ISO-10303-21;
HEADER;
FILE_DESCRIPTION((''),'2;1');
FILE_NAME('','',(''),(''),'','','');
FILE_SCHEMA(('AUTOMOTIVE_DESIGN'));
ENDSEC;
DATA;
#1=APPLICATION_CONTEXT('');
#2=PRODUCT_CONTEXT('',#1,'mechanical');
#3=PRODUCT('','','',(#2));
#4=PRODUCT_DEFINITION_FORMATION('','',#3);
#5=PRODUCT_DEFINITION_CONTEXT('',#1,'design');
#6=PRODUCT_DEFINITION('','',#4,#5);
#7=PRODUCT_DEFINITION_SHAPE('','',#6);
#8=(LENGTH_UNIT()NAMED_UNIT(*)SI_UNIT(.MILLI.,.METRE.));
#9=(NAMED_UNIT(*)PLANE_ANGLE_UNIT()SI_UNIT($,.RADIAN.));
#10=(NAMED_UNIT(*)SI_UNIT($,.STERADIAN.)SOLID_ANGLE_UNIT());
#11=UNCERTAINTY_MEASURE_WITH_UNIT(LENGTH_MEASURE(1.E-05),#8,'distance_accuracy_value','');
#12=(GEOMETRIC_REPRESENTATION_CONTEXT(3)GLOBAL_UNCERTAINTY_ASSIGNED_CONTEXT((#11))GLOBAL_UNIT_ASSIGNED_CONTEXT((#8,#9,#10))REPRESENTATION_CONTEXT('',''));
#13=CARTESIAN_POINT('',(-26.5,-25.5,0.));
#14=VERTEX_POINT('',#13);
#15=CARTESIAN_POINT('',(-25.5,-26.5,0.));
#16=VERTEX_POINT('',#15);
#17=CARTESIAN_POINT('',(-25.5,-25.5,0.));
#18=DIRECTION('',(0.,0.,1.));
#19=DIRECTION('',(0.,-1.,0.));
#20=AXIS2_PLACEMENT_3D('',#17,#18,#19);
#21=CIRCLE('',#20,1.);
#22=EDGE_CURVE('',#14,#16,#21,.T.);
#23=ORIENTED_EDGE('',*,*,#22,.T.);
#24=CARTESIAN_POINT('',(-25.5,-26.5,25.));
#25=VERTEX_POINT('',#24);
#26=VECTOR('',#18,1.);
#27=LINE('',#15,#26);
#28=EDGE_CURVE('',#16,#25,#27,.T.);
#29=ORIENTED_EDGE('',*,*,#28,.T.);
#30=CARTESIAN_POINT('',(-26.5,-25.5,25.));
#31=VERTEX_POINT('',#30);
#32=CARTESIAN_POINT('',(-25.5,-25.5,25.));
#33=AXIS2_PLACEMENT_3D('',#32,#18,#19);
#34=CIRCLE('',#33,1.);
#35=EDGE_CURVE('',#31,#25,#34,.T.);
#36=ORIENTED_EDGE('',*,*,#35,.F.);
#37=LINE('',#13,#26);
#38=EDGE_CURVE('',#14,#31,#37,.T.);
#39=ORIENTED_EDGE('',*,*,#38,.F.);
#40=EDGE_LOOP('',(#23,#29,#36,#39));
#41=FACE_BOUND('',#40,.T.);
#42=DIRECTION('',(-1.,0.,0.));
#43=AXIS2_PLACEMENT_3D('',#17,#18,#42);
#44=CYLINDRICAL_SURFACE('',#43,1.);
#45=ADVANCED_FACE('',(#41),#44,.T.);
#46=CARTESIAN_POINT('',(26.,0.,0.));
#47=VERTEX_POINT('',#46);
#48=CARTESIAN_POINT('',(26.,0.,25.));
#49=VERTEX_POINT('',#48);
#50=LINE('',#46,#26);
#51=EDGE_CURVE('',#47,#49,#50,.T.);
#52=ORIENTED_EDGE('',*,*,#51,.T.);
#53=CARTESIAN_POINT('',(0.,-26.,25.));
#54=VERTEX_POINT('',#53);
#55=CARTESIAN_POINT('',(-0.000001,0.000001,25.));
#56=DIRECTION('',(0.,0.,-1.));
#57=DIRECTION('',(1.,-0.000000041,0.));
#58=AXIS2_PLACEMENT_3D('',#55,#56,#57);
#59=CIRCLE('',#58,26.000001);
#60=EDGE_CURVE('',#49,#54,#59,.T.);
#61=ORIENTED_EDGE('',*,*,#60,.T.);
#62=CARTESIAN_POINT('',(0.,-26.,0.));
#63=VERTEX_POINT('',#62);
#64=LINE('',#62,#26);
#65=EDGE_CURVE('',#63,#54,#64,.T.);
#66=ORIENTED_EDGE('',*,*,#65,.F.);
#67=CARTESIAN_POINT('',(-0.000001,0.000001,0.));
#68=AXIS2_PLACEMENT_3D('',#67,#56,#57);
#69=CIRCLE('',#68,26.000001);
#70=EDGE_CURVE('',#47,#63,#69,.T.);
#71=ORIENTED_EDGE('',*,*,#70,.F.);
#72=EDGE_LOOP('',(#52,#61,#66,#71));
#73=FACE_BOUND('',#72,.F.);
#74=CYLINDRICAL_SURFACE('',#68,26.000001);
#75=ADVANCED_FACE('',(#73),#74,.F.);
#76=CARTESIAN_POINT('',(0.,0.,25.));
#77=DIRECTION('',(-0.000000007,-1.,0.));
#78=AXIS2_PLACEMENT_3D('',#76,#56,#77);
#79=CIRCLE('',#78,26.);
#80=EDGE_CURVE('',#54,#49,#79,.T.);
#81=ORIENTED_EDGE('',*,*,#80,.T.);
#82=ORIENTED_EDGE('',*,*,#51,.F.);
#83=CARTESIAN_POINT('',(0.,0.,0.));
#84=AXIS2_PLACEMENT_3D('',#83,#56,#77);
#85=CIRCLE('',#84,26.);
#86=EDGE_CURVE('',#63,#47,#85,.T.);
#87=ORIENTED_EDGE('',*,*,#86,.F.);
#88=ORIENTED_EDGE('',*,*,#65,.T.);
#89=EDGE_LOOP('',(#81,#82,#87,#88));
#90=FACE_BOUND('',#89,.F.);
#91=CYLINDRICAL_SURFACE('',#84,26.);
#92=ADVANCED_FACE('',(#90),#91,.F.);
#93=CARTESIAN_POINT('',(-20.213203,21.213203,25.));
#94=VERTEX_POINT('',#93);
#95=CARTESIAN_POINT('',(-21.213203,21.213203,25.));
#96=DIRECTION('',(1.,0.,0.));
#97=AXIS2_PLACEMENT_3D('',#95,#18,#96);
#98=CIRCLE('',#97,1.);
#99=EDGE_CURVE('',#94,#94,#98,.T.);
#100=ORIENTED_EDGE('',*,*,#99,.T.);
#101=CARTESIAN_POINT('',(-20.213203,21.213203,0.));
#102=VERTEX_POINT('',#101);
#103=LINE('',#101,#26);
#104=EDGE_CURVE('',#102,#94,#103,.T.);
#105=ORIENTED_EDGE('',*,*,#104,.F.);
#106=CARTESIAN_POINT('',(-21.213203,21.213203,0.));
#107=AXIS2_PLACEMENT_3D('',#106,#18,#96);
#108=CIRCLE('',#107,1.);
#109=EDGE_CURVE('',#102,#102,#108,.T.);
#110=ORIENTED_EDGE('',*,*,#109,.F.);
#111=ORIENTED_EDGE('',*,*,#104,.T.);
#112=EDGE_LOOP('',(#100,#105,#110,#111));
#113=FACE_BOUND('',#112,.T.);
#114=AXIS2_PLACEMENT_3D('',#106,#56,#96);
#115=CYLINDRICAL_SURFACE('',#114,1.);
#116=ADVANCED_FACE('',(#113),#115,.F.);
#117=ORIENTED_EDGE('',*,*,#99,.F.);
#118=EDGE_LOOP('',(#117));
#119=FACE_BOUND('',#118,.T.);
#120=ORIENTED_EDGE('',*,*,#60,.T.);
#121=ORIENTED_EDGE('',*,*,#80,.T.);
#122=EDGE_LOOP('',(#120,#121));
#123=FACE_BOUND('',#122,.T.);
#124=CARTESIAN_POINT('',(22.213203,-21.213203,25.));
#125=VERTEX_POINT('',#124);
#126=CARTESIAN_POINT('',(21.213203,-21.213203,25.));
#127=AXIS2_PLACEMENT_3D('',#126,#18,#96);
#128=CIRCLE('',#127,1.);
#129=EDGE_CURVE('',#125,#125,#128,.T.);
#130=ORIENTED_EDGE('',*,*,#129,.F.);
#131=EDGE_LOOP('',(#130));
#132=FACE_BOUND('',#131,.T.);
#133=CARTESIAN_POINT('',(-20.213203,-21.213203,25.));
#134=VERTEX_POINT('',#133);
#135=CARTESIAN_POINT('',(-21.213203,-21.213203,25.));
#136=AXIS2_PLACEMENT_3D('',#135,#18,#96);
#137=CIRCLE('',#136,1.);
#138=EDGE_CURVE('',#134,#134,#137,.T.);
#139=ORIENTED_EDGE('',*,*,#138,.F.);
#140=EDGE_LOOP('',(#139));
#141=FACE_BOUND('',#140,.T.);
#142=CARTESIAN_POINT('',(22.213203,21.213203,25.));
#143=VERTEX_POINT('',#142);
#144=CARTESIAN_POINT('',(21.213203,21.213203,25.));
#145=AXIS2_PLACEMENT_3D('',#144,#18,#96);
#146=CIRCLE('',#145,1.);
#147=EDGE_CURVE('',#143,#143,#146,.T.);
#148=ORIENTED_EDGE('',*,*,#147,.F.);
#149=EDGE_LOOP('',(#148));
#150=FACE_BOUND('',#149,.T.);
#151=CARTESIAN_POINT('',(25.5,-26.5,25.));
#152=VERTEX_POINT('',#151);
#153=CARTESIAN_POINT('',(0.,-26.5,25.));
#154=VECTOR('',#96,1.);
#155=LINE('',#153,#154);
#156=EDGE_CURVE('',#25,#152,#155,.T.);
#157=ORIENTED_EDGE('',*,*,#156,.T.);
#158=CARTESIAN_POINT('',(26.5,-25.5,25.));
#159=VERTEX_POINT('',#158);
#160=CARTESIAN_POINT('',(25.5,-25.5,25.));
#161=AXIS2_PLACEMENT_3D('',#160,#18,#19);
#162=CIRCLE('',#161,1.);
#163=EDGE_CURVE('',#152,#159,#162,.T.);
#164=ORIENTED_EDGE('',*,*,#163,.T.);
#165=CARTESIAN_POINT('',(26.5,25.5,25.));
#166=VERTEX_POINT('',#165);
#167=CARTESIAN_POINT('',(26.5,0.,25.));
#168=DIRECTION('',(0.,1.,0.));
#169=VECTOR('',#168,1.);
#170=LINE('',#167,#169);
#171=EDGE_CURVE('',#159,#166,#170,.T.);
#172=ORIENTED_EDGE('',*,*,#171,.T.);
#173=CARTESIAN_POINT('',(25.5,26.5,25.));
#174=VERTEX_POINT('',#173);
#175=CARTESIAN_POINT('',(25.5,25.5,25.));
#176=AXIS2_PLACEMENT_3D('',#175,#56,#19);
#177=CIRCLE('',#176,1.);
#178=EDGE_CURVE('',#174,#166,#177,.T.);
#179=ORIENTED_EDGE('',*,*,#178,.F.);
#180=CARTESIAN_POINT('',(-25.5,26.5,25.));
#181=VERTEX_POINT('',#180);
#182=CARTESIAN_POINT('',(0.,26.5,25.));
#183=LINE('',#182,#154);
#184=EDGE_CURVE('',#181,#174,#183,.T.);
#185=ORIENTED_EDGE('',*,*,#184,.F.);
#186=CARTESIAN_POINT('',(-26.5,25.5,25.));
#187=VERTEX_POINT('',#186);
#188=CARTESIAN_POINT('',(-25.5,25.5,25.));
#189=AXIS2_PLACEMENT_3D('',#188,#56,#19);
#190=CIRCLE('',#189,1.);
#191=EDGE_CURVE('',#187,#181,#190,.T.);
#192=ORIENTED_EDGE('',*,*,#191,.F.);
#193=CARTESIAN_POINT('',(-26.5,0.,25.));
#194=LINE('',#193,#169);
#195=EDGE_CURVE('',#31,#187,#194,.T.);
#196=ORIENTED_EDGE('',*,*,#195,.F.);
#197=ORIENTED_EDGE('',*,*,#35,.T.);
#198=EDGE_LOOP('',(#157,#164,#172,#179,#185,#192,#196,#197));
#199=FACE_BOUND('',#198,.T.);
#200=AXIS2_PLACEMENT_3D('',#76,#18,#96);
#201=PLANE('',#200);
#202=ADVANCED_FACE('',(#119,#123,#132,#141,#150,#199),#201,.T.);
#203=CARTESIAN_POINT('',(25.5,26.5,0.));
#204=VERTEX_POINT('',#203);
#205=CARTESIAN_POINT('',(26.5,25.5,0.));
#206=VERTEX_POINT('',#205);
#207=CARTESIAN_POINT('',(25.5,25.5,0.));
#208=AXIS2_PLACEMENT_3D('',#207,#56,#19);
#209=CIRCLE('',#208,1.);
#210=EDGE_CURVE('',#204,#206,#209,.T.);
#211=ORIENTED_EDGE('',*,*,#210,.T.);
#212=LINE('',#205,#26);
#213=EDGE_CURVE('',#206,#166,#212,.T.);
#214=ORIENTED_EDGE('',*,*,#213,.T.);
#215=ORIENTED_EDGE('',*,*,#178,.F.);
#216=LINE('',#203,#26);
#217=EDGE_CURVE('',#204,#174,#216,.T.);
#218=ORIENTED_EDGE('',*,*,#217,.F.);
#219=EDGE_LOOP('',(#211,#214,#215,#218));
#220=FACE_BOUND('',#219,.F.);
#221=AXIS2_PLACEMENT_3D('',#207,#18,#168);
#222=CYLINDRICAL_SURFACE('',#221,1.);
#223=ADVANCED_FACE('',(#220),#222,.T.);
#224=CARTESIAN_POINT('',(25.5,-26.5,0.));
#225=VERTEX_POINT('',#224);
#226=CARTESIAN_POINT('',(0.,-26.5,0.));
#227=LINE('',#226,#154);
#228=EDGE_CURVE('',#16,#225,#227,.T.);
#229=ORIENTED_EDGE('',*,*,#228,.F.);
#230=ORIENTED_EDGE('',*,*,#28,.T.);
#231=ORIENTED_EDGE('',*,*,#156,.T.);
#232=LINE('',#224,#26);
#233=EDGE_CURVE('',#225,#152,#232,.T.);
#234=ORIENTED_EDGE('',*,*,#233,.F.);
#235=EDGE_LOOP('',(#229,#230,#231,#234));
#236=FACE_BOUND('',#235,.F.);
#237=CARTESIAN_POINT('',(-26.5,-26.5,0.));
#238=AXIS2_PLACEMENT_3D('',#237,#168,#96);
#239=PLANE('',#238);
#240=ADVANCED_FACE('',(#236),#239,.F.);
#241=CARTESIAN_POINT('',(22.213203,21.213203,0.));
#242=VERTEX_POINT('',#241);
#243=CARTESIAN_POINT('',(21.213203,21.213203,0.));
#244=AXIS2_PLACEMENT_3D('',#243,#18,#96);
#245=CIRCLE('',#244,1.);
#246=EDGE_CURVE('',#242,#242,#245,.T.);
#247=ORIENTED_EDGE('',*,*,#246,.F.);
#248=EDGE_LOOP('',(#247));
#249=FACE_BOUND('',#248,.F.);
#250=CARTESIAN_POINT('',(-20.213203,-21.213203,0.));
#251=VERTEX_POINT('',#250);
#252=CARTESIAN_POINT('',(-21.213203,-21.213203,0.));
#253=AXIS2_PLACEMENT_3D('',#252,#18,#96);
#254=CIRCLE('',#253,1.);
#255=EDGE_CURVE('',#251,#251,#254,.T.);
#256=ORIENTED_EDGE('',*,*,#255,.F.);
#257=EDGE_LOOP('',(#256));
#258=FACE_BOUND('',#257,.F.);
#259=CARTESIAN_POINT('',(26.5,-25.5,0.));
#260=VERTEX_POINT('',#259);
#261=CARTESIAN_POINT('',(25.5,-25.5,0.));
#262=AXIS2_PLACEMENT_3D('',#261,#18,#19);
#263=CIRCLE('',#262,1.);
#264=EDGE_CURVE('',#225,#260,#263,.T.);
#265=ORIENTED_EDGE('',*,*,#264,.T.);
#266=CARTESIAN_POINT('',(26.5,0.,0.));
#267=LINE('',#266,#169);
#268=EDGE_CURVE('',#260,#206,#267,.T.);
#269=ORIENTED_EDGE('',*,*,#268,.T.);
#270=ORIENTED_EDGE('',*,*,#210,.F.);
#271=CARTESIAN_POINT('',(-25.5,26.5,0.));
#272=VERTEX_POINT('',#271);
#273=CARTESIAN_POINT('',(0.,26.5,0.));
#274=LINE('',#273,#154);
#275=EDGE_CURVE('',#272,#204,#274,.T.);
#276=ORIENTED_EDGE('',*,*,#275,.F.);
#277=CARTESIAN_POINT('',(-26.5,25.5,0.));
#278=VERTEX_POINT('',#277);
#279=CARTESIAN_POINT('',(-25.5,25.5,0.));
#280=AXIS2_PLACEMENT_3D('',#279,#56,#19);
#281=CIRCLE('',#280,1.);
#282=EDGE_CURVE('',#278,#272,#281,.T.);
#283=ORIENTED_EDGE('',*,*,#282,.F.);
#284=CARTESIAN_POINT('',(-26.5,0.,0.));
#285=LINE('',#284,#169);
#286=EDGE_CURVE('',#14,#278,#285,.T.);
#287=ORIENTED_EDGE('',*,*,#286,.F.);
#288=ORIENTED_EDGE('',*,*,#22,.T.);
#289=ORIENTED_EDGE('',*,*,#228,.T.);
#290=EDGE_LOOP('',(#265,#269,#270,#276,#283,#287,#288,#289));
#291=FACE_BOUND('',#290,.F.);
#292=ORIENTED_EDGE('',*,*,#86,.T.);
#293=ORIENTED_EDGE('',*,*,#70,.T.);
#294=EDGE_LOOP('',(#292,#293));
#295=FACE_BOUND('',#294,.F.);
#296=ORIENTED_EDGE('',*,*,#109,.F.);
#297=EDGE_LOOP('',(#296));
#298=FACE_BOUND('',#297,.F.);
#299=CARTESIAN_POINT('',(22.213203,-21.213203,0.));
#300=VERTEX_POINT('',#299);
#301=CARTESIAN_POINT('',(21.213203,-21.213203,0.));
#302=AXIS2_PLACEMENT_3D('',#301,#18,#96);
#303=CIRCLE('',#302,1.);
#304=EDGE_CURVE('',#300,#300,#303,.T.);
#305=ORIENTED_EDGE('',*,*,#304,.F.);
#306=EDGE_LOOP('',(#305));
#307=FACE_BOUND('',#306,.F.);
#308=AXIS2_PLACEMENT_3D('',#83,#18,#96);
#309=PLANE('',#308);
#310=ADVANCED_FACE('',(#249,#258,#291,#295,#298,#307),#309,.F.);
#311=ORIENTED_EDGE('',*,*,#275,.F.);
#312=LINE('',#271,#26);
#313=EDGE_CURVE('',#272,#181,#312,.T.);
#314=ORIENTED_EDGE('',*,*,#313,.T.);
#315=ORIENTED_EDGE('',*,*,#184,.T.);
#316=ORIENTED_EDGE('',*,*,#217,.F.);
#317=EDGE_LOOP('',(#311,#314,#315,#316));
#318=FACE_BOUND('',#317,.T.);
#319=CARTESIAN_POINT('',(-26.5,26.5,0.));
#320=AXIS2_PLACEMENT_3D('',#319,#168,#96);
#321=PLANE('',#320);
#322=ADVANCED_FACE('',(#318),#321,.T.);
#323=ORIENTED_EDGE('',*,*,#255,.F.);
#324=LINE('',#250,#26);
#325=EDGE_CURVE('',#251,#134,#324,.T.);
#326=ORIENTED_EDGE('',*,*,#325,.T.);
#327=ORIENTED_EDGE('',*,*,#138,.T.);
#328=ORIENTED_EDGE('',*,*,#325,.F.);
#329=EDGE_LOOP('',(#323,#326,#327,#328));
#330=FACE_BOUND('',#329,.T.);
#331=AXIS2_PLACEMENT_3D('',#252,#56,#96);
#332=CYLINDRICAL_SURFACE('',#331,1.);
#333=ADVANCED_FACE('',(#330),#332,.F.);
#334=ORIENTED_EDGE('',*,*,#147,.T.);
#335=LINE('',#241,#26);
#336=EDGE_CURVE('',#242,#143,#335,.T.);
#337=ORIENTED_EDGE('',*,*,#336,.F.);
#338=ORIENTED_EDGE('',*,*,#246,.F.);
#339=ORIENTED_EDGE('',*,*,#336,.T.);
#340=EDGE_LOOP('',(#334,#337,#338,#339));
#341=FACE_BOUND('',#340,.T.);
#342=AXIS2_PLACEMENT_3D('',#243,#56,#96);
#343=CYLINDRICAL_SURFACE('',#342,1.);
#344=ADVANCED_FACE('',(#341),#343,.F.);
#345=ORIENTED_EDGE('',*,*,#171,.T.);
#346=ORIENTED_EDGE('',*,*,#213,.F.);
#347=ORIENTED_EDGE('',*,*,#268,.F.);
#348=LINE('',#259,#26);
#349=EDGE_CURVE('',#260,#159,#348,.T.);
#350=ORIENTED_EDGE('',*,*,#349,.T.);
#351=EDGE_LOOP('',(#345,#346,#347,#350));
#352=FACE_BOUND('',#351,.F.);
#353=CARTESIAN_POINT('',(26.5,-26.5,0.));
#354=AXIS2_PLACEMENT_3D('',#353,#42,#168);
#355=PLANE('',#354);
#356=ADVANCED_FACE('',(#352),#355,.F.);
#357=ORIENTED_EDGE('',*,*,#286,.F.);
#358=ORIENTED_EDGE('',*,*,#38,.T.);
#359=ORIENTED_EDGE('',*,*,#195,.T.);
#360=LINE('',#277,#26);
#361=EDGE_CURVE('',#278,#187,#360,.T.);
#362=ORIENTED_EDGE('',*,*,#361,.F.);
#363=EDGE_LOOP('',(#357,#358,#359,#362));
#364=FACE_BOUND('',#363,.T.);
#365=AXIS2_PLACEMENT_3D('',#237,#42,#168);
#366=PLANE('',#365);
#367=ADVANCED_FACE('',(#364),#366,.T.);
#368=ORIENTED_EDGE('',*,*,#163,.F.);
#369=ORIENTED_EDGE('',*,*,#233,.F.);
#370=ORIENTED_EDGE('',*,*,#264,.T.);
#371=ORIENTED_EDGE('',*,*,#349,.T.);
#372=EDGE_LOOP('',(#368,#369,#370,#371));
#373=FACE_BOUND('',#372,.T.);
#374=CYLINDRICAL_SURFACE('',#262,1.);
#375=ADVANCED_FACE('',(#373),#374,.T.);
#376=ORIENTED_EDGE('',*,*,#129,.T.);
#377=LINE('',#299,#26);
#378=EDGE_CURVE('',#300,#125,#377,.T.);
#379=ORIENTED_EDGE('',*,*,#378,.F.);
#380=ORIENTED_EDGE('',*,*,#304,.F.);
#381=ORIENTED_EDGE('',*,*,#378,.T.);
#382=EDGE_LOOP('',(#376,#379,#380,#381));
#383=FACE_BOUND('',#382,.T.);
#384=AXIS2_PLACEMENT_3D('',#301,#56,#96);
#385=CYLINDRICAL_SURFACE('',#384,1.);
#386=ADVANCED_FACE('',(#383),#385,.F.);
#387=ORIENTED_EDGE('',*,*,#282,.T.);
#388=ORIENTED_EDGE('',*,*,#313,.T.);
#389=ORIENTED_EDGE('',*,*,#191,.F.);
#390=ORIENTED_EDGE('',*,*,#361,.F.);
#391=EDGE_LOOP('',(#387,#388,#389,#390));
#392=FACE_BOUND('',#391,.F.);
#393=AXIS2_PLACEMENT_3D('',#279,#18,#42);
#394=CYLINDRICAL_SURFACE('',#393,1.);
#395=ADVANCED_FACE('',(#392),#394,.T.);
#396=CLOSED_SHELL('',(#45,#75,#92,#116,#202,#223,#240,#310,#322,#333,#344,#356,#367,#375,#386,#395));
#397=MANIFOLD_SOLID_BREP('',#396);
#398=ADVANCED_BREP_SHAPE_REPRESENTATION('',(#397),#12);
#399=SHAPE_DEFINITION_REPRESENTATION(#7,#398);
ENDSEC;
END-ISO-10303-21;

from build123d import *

# Parameters (mm, degrees)
F0_W     = 53
F0_H     = 53
F0_R     = 1
F1_DEPTH = 25
F2_R     = 1


with BuildPart() as f1:
    # F0 (on Top) → F1 (new body)
    with BuildSketch(Plane.XY):
        Rectangle(F0_W, F0_H)
        with Locations((-21.213203, -21.213203)):
            Circle(F0_R, mode=Mode.SUBTRACT)
        with Locations((21.213203, -21.213203)):
            Circle(F0_R, mode=Mode.SUBTRACT)
        with Locations((-21.213203, 21.213203)):
            Circle(F0_R, mode=Mode.SUBTRACT)
        with BuildLine():
            ThreePointArc((0, -26), (-18.384776, 18.384776), (26, 0))
            ThreePointArc((26, 0), (18.384776, -18.384776), (0, -26))
        make_face(mode=Mode.SUBTRACT)
        with Locations((21.213203, 21.213203)):
            Circle(F0_R, mode=Mode.SUBTRACT)
    extrude(amount=F1_DEPTH)

    # F2
    f2_edges = [f1.edges().sort_by_distance(p)[0] for p in [
        (26.5, -26.5, 12.5),
        (26.5, 26.5, 12.5),
        (-26.5, 26.5, 12.5),
        (-26.5, -26.5, 12.5),
    ]]
    fillet(f2_edges, radius=F2_R)


solid = f1.part
